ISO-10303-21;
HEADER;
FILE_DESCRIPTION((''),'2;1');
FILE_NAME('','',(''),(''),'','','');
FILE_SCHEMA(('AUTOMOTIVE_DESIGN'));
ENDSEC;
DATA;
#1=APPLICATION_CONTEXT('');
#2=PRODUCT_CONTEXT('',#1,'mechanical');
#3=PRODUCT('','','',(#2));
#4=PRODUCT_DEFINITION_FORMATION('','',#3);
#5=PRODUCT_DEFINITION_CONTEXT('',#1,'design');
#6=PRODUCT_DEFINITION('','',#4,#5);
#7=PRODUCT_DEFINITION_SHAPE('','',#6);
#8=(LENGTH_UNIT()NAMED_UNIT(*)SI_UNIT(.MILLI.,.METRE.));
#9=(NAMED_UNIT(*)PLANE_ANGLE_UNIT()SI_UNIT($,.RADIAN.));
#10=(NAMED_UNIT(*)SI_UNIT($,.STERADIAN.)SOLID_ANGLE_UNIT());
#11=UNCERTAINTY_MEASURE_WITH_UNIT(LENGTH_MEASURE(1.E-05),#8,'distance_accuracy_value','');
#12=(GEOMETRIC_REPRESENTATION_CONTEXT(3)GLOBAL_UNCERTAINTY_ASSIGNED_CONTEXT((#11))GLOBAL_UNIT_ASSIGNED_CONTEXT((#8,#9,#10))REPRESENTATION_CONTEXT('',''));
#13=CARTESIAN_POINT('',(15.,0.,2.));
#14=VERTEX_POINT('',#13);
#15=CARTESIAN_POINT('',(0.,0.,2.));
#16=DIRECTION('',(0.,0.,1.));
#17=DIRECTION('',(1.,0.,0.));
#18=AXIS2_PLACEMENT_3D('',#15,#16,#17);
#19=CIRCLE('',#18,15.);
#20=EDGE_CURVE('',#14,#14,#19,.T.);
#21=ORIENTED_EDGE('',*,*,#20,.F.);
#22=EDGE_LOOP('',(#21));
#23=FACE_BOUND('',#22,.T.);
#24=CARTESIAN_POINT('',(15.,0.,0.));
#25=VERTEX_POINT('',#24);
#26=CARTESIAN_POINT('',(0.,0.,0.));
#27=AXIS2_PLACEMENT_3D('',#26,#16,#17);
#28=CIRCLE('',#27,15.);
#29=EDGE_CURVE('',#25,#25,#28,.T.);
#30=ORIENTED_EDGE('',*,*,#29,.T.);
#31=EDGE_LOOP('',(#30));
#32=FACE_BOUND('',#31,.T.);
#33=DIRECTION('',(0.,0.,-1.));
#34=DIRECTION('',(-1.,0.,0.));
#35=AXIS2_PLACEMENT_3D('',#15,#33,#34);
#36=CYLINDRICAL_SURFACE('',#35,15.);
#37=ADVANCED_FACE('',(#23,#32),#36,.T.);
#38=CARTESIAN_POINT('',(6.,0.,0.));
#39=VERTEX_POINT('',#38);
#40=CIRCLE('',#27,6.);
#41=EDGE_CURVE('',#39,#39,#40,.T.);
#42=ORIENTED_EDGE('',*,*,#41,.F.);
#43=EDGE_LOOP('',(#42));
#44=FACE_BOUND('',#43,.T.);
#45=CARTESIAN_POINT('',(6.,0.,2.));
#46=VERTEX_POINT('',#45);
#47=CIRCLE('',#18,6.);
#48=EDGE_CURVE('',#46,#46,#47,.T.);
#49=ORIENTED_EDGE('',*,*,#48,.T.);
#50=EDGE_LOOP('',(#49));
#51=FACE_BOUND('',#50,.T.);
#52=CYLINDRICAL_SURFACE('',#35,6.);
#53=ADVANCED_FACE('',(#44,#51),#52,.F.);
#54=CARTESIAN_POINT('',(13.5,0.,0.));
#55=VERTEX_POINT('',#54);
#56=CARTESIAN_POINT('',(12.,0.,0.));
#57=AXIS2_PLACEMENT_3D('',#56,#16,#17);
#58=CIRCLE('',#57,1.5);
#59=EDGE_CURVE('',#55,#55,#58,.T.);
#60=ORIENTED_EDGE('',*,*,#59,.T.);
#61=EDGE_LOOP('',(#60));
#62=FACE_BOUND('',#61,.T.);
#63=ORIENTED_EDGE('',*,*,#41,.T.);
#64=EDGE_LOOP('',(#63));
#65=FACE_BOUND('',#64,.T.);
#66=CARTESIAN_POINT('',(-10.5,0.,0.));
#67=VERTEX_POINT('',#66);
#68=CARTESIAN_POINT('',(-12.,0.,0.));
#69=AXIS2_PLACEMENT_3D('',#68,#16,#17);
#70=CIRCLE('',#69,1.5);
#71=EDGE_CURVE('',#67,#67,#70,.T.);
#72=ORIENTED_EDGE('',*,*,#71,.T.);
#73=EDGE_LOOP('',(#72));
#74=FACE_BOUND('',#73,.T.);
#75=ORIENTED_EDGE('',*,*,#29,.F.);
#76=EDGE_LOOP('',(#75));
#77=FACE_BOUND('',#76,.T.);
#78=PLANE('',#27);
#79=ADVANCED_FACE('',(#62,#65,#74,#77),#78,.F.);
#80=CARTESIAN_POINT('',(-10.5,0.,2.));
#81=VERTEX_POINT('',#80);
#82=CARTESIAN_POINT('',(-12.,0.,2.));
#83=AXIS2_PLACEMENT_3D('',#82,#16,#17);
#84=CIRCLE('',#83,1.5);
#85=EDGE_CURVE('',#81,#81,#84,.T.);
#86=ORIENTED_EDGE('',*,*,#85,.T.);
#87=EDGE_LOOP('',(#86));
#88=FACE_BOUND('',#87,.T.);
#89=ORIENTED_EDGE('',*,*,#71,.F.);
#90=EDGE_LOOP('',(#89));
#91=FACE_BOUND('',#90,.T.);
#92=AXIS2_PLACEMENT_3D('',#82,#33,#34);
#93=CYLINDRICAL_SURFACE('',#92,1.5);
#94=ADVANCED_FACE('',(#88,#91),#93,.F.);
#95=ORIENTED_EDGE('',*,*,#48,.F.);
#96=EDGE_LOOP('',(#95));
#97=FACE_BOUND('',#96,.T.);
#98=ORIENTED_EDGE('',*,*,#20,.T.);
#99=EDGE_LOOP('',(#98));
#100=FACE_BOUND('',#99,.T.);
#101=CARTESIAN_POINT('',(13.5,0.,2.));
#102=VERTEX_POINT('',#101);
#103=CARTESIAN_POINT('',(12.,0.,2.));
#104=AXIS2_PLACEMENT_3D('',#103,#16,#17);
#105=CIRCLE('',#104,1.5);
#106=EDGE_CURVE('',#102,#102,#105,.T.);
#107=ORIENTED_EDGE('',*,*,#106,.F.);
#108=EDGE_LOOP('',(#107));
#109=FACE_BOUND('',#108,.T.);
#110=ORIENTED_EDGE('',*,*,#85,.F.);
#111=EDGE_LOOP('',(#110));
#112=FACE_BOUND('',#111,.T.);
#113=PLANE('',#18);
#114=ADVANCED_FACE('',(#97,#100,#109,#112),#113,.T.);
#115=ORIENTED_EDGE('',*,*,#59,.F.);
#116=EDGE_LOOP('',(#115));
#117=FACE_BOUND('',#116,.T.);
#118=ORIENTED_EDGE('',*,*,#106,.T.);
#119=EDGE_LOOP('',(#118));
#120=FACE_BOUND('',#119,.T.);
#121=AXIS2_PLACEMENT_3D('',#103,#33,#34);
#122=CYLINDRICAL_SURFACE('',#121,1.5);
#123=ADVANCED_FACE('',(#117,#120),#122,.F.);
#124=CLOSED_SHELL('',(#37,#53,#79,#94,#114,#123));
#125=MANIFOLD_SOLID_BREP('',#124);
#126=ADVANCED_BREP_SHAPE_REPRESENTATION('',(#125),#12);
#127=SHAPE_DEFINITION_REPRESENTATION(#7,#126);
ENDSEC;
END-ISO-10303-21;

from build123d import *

# Parameters (mm, degrees)
SKETCH1_R           = 15
SKETCH1_R_2         = 6
SKETCH1_R_3         = 1.5
BOSS_EXTRUDE1_DEPTH = 2


with BuildPart() as part:
    # Sketch1 → Boss-Extrude1 (new body)
    with BuildSketch(Plane.XY):
        Circle(SKETCH1_R)
        Circle(SKETCH1_R_2, mode=Mode.SUBTRACT)
        with Locations((12, 0)):
            Circle(SKETCH1_R_3, mode=Mode.SUBTRACT)
        with Locations((-12, 0)):
            Circle(SKETCH1_R_3, mode=Mode.SUBTRACT)
    extrude(amount=BOSS_EXTRUDE1_DEPTH)


solid = part.part
